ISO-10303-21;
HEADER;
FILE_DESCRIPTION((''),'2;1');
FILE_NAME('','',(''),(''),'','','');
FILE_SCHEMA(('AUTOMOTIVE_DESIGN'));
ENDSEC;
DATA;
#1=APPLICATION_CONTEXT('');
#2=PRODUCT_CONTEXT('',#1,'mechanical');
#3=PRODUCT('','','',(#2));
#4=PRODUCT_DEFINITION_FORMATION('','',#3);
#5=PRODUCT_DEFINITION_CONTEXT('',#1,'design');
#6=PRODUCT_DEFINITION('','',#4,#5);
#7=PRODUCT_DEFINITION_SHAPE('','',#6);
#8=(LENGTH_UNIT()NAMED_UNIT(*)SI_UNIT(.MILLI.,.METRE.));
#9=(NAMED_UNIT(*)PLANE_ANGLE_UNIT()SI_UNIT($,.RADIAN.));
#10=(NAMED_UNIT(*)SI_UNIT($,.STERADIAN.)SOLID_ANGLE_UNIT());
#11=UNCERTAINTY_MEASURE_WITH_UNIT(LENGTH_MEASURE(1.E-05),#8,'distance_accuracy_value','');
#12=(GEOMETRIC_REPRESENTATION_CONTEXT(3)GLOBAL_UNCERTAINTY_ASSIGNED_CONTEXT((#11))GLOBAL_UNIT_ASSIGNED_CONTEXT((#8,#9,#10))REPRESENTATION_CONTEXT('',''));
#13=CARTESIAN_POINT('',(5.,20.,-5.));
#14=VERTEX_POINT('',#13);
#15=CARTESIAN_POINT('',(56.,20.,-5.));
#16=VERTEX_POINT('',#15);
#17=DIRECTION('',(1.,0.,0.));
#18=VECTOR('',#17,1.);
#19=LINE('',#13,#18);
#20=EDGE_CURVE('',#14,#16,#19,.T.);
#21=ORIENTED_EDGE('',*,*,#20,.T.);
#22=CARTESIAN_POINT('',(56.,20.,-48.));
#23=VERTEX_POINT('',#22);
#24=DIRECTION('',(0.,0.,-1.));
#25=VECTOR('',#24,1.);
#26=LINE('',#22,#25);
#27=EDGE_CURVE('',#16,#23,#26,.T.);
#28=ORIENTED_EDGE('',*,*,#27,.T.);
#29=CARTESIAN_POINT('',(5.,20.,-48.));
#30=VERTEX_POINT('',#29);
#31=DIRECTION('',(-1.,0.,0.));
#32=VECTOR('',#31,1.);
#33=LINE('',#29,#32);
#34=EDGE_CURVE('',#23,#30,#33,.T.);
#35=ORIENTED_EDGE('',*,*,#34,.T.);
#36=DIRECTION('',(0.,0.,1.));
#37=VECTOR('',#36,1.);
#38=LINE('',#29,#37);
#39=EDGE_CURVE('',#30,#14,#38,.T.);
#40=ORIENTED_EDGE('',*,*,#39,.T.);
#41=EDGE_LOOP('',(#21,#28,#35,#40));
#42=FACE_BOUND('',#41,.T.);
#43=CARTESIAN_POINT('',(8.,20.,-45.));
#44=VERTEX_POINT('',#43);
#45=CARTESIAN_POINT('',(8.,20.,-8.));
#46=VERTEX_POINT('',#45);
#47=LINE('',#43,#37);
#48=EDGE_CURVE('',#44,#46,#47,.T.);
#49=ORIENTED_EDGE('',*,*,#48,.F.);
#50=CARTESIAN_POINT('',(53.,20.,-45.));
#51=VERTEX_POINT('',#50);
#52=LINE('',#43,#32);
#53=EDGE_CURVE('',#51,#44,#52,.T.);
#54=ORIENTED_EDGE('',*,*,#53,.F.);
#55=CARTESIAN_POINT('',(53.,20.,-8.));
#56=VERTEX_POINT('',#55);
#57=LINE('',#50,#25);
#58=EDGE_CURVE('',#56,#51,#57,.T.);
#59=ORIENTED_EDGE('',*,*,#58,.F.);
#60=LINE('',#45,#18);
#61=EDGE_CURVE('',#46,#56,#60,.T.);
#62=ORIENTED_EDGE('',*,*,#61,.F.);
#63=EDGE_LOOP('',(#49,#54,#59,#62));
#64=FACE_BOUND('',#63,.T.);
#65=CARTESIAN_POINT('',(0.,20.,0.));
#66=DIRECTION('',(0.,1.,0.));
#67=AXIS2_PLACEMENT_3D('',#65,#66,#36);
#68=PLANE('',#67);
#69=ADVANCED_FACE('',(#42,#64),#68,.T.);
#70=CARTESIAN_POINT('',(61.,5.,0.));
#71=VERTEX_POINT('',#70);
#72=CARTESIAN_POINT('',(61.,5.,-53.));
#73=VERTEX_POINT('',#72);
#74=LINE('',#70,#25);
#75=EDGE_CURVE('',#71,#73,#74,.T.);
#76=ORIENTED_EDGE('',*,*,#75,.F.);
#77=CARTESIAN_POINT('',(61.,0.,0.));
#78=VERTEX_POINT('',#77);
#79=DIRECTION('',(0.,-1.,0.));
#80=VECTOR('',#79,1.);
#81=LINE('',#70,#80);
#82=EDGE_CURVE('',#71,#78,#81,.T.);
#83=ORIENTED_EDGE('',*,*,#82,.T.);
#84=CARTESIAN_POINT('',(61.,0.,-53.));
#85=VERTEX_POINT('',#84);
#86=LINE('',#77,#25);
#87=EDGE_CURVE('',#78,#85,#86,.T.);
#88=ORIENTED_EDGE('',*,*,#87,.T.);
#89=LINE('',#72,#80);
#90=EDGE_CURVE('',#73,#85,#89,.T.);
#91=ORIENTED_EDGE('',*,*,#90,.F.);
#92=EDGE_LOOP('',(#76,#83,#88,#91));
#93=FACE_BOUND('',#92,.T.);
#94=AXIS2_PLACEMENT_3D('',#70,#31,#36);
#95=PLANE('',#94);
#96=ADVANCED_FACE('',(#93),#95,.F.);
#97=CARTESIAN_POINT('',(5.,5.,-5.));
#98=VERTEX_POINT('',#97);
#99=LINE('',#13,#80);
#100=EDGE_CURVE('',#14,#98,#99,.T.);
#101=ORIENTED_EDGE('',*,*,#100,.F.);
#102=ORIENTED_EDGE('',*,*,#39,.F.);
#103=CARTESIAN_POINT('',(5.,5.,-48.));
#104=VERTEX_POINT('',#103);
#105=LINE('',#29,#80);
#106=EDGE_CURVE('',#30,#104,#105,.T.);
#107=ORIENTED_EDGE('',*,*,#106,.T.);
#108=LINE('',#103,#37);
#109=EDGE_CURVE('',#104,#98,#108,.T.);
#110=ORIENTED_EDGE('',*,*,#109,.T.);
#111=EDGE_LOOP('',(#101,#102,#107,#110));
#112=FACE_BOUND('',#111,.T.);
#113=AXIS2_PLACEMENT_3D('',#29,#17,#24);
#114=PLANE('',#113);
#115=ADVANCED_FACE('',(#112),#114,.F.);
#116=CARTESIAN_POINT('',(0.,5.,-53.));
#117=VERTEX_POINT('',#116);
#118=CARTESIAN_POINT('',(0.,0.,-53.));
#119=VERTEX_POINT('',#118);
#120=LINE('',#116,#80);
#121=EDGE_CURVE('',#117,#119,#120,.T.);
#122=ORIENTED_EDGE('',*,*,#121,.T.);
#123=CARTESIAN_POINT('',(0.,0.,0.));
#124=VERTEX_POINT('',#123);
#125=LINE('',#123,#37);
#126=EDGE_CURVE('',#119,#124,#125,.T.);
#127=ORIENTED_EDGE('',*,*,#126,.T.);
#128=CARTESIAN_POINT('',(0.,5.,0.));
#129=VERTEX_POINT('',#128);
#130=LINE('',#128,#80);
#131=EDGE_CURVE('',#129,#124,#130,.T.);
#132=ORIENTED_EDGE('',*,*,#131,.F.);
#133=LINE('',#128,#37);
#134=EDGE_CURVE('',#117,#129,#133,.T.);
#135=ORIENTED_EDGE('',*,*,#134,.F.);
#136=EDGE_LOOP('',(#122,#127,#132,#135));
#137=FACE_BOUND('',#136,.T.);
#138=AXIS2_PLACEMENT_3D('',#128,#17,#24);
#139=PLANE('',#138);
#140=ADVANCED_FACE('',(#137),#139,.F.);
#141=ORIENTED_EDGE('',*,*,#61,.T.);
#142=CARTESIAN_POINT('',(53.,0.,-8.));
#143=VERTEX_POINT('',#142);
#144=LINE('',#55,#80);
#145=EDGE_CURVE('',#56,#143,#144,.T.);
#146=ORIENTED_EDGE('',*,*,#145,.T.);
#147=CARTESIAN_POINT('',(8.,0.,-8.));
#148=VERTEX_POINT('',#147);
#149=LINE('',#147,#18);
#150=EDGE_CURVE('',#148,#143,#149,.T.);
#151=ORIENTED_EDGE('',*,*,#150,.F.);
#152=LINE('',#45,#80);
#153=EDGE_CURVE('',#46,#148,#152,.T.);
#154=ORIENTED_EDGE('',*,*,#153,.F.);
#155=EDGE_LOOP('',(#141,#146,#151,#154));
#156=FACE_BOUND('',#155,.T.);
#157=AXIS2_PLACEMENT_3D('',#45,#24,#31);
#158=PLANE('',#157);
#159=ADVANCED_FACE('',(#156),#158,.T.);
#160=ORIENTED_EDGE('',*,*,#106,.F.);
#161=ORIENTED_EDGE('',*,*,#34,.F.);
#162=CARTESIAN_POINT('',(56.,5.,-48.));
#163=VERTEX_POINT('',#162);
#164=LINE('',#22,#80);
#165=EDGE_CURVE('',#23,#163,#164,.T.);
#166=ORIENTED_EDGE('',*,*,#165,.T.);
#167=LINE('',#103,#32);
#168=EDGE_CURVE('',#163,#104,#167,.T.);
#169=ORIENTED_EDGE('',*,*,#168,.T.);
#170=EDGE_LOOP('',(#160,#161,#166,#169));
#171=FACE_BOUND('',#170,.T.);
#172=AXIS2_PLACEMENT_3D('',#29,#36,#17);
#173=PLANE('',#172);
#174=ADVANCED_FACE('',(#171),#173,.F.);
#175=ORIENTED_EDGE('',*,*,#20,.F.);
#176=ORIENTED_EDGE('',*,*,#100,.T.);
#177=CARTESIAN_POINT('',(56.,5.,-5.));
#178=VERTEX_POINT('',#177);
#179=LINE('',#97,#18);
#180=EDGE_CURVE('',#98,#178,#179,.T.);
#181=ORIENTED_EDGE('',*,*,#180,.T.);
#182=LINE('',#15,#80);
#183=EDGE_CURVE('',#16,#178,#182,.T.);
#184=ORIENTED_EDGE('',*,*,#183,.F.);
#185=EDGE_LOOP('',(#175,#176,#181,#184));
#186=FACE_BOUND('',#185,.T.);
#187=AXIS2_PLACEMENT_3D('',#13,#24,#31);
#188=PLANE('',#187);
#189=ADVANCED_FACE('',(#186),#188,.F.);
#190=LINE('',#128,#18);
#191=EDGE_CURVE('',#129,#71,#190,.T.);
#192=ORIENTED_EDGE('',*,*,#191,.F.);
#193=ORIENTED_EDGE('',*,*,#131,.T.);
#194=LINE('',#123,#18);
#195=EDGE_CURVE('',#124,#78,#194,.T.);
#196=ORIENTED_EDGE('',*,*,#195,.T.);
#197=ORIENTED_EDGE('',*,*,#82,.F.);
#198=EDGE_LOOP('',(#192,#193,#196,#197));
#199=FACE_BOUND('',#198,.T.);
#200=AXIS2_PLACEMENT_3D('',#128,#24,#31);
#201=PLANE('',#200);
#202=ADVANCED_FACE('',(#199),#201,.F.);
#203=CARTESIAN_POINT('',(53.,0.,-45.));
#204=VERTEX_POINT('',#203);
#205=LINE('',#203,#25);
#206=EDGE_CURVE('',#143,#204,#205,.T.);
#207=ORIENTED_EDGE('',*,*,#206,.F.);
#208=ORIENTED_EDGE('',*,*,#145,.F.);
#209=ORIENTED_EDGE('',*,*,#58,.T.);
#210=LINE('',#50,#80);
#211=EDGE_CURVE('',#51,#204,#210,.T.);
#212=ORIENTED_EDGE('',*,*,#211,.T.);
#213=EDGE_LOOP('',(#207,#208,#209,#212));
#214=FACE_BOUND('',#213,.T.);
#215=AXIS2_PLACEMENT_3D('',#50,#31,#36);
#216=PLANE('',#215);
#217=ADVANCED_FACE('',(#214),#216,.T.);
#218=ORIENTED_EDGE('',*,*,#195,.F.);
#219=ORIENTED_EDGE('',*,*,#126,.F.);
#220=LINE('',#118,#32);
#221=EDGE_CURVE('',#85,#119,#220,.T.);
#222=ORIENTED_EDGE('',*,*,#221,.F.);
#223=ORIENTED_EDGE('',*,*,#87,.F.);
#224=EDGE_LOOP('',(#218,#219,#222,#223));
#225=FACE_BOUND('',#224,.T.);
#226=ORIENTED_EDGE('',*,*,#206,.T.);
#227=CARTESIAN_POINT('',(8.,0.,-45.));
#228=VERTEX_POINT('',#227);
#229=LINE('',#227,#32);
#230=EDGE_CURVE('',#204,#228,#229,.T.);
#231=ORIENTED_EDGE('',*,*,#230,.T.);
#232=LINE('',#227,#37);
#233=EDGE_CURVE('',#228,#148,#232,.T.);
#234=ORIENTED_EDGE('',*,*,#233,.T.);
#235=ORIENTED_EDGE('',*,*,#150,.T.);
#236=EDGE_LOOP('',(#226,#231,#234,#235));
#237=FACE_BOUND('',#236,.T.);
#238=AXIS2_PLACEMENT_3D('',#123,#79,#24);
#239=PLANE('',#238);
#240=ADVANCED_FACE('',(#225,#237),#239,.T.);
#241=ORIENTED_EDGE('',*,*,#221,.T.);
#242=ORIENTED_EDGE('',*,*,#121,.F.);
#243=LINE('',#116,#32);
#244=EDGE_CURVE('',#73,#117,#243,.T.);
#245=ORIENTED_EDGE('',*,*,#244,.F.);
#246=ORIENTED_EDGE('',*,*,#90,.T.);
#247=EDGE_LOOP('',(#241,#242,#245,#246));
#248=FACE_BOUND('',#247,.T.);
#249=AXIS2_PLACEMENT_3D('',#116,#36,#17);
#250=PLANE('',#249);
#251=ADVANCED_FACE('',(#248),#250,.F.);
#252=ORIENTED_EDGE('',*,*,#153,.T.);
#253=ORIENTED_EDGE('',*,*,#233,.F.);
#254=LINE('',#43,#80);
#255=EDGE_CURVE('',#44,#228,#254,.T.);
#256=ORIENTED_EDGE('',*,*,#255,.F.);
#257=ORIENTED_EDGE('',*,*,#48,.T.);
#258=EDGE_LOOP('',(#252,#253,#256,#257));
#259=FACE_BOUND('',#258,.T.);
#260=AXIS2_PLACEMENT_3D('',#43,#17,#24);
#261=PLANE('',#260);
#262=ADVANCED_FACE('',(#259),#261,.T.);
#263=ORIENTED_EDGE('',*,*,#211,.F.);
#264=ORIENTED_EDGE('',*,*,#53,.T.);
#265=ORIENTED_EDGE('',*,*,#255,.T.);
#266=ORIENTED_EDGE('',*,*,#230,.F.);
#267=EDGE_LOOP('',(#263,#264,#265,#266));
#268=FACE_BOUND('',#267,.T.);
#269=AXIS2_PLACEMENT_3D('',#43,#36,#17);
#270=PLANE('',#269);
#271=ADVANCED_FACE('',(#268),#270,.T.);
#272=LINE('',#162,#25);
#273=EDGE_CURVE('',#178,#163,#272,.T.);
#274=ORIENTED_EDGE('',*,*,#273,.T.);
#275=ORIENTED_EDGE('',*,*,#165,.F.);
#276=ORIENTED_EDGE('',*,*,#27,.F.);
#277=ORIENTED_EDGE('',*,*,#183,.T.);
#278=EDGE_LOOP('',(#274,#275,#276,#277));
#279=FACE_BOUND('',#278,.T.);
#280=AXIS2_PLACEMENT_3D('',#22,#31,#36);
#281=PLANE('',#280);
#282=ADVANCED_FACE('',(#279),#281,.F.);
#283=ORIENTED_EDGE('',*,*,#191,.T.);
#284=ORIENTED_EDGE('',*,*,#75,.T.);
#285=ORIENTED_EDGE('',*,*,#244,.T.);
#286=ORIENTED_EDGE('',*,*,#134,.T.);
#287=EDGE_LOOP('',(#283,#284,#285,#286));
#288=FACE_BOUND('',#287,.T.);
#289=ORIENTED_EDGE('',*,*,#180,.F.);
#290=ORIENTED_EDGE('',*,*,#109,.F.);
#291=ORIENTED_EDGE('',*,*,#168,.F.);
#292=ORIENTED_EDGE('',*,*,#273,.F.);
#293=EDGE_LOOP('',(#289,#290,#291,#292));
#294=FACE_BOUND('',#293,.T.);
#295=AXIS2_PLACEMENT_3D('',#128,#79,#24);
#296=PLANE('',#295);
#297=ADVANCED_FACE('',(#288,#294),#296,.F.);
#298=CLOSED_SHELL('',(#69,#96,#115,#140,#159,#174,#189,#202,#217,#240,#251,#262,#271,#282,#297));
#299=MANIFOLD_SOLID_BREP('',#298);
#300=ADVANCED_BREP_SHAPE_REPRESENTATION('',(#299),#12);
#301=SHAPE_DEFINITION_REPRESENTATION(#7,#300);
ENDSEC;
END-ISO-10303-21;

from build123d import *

# Parameters (mm, degrees)
SKETCH2_W           = 61
SKETCH2_H           = 53
SKETCH2_W_2         = 51
SKETCH2_H_2         = 43
BOSS_EXTRUDE1_DEPTH = 5
SKETCH6_W           = 51
SKETCH6_H           = 43
SKETCH6_W_2         = 45
SKETCH6_H_2         = 37
BOSS_EXTRUDE3_DEPTH = 20


with BuildPart() as part:
    # Sketch2 → Boss-Extrude1 (new body)
    with BuildSketch(Plane(origin=(0, 0, 0), x_dir=(1, 0, 0), z_dir=(0, 1, 0))):
        with Locations((30.5, 26.5)):
            Rectangle(SKETCH2_W, SKETCH2_H)
        with Locations((30.5, 26.5)):
            Rectangle(SKETCH2_W_2, SKETCH2_H_2, mode=Mode.SUBTRACT)
    extrude(amount=BOSS_EXTRUDE1_DEPTH)

    # Sketch6 → Boss-Extrude3 (add)
    with BuildSketch(Plane(origin=(0, 0, 0), x_dir=(1, 0, 0), z_dir=(0, 1, 0))):
        with Locations((30.5, 26.5)):
            Rectangle(SKETCH6_W, SKETCH6_H)
        with Locations((30.5, 26.5)):
            Rectangle(SKETCH6_W_2, SKETCH6_H_2, mode=Mode.SUBTRACT)
    extrude(amount=BOSS_EXTRUDE3_DEPTH)


solid = part.part
